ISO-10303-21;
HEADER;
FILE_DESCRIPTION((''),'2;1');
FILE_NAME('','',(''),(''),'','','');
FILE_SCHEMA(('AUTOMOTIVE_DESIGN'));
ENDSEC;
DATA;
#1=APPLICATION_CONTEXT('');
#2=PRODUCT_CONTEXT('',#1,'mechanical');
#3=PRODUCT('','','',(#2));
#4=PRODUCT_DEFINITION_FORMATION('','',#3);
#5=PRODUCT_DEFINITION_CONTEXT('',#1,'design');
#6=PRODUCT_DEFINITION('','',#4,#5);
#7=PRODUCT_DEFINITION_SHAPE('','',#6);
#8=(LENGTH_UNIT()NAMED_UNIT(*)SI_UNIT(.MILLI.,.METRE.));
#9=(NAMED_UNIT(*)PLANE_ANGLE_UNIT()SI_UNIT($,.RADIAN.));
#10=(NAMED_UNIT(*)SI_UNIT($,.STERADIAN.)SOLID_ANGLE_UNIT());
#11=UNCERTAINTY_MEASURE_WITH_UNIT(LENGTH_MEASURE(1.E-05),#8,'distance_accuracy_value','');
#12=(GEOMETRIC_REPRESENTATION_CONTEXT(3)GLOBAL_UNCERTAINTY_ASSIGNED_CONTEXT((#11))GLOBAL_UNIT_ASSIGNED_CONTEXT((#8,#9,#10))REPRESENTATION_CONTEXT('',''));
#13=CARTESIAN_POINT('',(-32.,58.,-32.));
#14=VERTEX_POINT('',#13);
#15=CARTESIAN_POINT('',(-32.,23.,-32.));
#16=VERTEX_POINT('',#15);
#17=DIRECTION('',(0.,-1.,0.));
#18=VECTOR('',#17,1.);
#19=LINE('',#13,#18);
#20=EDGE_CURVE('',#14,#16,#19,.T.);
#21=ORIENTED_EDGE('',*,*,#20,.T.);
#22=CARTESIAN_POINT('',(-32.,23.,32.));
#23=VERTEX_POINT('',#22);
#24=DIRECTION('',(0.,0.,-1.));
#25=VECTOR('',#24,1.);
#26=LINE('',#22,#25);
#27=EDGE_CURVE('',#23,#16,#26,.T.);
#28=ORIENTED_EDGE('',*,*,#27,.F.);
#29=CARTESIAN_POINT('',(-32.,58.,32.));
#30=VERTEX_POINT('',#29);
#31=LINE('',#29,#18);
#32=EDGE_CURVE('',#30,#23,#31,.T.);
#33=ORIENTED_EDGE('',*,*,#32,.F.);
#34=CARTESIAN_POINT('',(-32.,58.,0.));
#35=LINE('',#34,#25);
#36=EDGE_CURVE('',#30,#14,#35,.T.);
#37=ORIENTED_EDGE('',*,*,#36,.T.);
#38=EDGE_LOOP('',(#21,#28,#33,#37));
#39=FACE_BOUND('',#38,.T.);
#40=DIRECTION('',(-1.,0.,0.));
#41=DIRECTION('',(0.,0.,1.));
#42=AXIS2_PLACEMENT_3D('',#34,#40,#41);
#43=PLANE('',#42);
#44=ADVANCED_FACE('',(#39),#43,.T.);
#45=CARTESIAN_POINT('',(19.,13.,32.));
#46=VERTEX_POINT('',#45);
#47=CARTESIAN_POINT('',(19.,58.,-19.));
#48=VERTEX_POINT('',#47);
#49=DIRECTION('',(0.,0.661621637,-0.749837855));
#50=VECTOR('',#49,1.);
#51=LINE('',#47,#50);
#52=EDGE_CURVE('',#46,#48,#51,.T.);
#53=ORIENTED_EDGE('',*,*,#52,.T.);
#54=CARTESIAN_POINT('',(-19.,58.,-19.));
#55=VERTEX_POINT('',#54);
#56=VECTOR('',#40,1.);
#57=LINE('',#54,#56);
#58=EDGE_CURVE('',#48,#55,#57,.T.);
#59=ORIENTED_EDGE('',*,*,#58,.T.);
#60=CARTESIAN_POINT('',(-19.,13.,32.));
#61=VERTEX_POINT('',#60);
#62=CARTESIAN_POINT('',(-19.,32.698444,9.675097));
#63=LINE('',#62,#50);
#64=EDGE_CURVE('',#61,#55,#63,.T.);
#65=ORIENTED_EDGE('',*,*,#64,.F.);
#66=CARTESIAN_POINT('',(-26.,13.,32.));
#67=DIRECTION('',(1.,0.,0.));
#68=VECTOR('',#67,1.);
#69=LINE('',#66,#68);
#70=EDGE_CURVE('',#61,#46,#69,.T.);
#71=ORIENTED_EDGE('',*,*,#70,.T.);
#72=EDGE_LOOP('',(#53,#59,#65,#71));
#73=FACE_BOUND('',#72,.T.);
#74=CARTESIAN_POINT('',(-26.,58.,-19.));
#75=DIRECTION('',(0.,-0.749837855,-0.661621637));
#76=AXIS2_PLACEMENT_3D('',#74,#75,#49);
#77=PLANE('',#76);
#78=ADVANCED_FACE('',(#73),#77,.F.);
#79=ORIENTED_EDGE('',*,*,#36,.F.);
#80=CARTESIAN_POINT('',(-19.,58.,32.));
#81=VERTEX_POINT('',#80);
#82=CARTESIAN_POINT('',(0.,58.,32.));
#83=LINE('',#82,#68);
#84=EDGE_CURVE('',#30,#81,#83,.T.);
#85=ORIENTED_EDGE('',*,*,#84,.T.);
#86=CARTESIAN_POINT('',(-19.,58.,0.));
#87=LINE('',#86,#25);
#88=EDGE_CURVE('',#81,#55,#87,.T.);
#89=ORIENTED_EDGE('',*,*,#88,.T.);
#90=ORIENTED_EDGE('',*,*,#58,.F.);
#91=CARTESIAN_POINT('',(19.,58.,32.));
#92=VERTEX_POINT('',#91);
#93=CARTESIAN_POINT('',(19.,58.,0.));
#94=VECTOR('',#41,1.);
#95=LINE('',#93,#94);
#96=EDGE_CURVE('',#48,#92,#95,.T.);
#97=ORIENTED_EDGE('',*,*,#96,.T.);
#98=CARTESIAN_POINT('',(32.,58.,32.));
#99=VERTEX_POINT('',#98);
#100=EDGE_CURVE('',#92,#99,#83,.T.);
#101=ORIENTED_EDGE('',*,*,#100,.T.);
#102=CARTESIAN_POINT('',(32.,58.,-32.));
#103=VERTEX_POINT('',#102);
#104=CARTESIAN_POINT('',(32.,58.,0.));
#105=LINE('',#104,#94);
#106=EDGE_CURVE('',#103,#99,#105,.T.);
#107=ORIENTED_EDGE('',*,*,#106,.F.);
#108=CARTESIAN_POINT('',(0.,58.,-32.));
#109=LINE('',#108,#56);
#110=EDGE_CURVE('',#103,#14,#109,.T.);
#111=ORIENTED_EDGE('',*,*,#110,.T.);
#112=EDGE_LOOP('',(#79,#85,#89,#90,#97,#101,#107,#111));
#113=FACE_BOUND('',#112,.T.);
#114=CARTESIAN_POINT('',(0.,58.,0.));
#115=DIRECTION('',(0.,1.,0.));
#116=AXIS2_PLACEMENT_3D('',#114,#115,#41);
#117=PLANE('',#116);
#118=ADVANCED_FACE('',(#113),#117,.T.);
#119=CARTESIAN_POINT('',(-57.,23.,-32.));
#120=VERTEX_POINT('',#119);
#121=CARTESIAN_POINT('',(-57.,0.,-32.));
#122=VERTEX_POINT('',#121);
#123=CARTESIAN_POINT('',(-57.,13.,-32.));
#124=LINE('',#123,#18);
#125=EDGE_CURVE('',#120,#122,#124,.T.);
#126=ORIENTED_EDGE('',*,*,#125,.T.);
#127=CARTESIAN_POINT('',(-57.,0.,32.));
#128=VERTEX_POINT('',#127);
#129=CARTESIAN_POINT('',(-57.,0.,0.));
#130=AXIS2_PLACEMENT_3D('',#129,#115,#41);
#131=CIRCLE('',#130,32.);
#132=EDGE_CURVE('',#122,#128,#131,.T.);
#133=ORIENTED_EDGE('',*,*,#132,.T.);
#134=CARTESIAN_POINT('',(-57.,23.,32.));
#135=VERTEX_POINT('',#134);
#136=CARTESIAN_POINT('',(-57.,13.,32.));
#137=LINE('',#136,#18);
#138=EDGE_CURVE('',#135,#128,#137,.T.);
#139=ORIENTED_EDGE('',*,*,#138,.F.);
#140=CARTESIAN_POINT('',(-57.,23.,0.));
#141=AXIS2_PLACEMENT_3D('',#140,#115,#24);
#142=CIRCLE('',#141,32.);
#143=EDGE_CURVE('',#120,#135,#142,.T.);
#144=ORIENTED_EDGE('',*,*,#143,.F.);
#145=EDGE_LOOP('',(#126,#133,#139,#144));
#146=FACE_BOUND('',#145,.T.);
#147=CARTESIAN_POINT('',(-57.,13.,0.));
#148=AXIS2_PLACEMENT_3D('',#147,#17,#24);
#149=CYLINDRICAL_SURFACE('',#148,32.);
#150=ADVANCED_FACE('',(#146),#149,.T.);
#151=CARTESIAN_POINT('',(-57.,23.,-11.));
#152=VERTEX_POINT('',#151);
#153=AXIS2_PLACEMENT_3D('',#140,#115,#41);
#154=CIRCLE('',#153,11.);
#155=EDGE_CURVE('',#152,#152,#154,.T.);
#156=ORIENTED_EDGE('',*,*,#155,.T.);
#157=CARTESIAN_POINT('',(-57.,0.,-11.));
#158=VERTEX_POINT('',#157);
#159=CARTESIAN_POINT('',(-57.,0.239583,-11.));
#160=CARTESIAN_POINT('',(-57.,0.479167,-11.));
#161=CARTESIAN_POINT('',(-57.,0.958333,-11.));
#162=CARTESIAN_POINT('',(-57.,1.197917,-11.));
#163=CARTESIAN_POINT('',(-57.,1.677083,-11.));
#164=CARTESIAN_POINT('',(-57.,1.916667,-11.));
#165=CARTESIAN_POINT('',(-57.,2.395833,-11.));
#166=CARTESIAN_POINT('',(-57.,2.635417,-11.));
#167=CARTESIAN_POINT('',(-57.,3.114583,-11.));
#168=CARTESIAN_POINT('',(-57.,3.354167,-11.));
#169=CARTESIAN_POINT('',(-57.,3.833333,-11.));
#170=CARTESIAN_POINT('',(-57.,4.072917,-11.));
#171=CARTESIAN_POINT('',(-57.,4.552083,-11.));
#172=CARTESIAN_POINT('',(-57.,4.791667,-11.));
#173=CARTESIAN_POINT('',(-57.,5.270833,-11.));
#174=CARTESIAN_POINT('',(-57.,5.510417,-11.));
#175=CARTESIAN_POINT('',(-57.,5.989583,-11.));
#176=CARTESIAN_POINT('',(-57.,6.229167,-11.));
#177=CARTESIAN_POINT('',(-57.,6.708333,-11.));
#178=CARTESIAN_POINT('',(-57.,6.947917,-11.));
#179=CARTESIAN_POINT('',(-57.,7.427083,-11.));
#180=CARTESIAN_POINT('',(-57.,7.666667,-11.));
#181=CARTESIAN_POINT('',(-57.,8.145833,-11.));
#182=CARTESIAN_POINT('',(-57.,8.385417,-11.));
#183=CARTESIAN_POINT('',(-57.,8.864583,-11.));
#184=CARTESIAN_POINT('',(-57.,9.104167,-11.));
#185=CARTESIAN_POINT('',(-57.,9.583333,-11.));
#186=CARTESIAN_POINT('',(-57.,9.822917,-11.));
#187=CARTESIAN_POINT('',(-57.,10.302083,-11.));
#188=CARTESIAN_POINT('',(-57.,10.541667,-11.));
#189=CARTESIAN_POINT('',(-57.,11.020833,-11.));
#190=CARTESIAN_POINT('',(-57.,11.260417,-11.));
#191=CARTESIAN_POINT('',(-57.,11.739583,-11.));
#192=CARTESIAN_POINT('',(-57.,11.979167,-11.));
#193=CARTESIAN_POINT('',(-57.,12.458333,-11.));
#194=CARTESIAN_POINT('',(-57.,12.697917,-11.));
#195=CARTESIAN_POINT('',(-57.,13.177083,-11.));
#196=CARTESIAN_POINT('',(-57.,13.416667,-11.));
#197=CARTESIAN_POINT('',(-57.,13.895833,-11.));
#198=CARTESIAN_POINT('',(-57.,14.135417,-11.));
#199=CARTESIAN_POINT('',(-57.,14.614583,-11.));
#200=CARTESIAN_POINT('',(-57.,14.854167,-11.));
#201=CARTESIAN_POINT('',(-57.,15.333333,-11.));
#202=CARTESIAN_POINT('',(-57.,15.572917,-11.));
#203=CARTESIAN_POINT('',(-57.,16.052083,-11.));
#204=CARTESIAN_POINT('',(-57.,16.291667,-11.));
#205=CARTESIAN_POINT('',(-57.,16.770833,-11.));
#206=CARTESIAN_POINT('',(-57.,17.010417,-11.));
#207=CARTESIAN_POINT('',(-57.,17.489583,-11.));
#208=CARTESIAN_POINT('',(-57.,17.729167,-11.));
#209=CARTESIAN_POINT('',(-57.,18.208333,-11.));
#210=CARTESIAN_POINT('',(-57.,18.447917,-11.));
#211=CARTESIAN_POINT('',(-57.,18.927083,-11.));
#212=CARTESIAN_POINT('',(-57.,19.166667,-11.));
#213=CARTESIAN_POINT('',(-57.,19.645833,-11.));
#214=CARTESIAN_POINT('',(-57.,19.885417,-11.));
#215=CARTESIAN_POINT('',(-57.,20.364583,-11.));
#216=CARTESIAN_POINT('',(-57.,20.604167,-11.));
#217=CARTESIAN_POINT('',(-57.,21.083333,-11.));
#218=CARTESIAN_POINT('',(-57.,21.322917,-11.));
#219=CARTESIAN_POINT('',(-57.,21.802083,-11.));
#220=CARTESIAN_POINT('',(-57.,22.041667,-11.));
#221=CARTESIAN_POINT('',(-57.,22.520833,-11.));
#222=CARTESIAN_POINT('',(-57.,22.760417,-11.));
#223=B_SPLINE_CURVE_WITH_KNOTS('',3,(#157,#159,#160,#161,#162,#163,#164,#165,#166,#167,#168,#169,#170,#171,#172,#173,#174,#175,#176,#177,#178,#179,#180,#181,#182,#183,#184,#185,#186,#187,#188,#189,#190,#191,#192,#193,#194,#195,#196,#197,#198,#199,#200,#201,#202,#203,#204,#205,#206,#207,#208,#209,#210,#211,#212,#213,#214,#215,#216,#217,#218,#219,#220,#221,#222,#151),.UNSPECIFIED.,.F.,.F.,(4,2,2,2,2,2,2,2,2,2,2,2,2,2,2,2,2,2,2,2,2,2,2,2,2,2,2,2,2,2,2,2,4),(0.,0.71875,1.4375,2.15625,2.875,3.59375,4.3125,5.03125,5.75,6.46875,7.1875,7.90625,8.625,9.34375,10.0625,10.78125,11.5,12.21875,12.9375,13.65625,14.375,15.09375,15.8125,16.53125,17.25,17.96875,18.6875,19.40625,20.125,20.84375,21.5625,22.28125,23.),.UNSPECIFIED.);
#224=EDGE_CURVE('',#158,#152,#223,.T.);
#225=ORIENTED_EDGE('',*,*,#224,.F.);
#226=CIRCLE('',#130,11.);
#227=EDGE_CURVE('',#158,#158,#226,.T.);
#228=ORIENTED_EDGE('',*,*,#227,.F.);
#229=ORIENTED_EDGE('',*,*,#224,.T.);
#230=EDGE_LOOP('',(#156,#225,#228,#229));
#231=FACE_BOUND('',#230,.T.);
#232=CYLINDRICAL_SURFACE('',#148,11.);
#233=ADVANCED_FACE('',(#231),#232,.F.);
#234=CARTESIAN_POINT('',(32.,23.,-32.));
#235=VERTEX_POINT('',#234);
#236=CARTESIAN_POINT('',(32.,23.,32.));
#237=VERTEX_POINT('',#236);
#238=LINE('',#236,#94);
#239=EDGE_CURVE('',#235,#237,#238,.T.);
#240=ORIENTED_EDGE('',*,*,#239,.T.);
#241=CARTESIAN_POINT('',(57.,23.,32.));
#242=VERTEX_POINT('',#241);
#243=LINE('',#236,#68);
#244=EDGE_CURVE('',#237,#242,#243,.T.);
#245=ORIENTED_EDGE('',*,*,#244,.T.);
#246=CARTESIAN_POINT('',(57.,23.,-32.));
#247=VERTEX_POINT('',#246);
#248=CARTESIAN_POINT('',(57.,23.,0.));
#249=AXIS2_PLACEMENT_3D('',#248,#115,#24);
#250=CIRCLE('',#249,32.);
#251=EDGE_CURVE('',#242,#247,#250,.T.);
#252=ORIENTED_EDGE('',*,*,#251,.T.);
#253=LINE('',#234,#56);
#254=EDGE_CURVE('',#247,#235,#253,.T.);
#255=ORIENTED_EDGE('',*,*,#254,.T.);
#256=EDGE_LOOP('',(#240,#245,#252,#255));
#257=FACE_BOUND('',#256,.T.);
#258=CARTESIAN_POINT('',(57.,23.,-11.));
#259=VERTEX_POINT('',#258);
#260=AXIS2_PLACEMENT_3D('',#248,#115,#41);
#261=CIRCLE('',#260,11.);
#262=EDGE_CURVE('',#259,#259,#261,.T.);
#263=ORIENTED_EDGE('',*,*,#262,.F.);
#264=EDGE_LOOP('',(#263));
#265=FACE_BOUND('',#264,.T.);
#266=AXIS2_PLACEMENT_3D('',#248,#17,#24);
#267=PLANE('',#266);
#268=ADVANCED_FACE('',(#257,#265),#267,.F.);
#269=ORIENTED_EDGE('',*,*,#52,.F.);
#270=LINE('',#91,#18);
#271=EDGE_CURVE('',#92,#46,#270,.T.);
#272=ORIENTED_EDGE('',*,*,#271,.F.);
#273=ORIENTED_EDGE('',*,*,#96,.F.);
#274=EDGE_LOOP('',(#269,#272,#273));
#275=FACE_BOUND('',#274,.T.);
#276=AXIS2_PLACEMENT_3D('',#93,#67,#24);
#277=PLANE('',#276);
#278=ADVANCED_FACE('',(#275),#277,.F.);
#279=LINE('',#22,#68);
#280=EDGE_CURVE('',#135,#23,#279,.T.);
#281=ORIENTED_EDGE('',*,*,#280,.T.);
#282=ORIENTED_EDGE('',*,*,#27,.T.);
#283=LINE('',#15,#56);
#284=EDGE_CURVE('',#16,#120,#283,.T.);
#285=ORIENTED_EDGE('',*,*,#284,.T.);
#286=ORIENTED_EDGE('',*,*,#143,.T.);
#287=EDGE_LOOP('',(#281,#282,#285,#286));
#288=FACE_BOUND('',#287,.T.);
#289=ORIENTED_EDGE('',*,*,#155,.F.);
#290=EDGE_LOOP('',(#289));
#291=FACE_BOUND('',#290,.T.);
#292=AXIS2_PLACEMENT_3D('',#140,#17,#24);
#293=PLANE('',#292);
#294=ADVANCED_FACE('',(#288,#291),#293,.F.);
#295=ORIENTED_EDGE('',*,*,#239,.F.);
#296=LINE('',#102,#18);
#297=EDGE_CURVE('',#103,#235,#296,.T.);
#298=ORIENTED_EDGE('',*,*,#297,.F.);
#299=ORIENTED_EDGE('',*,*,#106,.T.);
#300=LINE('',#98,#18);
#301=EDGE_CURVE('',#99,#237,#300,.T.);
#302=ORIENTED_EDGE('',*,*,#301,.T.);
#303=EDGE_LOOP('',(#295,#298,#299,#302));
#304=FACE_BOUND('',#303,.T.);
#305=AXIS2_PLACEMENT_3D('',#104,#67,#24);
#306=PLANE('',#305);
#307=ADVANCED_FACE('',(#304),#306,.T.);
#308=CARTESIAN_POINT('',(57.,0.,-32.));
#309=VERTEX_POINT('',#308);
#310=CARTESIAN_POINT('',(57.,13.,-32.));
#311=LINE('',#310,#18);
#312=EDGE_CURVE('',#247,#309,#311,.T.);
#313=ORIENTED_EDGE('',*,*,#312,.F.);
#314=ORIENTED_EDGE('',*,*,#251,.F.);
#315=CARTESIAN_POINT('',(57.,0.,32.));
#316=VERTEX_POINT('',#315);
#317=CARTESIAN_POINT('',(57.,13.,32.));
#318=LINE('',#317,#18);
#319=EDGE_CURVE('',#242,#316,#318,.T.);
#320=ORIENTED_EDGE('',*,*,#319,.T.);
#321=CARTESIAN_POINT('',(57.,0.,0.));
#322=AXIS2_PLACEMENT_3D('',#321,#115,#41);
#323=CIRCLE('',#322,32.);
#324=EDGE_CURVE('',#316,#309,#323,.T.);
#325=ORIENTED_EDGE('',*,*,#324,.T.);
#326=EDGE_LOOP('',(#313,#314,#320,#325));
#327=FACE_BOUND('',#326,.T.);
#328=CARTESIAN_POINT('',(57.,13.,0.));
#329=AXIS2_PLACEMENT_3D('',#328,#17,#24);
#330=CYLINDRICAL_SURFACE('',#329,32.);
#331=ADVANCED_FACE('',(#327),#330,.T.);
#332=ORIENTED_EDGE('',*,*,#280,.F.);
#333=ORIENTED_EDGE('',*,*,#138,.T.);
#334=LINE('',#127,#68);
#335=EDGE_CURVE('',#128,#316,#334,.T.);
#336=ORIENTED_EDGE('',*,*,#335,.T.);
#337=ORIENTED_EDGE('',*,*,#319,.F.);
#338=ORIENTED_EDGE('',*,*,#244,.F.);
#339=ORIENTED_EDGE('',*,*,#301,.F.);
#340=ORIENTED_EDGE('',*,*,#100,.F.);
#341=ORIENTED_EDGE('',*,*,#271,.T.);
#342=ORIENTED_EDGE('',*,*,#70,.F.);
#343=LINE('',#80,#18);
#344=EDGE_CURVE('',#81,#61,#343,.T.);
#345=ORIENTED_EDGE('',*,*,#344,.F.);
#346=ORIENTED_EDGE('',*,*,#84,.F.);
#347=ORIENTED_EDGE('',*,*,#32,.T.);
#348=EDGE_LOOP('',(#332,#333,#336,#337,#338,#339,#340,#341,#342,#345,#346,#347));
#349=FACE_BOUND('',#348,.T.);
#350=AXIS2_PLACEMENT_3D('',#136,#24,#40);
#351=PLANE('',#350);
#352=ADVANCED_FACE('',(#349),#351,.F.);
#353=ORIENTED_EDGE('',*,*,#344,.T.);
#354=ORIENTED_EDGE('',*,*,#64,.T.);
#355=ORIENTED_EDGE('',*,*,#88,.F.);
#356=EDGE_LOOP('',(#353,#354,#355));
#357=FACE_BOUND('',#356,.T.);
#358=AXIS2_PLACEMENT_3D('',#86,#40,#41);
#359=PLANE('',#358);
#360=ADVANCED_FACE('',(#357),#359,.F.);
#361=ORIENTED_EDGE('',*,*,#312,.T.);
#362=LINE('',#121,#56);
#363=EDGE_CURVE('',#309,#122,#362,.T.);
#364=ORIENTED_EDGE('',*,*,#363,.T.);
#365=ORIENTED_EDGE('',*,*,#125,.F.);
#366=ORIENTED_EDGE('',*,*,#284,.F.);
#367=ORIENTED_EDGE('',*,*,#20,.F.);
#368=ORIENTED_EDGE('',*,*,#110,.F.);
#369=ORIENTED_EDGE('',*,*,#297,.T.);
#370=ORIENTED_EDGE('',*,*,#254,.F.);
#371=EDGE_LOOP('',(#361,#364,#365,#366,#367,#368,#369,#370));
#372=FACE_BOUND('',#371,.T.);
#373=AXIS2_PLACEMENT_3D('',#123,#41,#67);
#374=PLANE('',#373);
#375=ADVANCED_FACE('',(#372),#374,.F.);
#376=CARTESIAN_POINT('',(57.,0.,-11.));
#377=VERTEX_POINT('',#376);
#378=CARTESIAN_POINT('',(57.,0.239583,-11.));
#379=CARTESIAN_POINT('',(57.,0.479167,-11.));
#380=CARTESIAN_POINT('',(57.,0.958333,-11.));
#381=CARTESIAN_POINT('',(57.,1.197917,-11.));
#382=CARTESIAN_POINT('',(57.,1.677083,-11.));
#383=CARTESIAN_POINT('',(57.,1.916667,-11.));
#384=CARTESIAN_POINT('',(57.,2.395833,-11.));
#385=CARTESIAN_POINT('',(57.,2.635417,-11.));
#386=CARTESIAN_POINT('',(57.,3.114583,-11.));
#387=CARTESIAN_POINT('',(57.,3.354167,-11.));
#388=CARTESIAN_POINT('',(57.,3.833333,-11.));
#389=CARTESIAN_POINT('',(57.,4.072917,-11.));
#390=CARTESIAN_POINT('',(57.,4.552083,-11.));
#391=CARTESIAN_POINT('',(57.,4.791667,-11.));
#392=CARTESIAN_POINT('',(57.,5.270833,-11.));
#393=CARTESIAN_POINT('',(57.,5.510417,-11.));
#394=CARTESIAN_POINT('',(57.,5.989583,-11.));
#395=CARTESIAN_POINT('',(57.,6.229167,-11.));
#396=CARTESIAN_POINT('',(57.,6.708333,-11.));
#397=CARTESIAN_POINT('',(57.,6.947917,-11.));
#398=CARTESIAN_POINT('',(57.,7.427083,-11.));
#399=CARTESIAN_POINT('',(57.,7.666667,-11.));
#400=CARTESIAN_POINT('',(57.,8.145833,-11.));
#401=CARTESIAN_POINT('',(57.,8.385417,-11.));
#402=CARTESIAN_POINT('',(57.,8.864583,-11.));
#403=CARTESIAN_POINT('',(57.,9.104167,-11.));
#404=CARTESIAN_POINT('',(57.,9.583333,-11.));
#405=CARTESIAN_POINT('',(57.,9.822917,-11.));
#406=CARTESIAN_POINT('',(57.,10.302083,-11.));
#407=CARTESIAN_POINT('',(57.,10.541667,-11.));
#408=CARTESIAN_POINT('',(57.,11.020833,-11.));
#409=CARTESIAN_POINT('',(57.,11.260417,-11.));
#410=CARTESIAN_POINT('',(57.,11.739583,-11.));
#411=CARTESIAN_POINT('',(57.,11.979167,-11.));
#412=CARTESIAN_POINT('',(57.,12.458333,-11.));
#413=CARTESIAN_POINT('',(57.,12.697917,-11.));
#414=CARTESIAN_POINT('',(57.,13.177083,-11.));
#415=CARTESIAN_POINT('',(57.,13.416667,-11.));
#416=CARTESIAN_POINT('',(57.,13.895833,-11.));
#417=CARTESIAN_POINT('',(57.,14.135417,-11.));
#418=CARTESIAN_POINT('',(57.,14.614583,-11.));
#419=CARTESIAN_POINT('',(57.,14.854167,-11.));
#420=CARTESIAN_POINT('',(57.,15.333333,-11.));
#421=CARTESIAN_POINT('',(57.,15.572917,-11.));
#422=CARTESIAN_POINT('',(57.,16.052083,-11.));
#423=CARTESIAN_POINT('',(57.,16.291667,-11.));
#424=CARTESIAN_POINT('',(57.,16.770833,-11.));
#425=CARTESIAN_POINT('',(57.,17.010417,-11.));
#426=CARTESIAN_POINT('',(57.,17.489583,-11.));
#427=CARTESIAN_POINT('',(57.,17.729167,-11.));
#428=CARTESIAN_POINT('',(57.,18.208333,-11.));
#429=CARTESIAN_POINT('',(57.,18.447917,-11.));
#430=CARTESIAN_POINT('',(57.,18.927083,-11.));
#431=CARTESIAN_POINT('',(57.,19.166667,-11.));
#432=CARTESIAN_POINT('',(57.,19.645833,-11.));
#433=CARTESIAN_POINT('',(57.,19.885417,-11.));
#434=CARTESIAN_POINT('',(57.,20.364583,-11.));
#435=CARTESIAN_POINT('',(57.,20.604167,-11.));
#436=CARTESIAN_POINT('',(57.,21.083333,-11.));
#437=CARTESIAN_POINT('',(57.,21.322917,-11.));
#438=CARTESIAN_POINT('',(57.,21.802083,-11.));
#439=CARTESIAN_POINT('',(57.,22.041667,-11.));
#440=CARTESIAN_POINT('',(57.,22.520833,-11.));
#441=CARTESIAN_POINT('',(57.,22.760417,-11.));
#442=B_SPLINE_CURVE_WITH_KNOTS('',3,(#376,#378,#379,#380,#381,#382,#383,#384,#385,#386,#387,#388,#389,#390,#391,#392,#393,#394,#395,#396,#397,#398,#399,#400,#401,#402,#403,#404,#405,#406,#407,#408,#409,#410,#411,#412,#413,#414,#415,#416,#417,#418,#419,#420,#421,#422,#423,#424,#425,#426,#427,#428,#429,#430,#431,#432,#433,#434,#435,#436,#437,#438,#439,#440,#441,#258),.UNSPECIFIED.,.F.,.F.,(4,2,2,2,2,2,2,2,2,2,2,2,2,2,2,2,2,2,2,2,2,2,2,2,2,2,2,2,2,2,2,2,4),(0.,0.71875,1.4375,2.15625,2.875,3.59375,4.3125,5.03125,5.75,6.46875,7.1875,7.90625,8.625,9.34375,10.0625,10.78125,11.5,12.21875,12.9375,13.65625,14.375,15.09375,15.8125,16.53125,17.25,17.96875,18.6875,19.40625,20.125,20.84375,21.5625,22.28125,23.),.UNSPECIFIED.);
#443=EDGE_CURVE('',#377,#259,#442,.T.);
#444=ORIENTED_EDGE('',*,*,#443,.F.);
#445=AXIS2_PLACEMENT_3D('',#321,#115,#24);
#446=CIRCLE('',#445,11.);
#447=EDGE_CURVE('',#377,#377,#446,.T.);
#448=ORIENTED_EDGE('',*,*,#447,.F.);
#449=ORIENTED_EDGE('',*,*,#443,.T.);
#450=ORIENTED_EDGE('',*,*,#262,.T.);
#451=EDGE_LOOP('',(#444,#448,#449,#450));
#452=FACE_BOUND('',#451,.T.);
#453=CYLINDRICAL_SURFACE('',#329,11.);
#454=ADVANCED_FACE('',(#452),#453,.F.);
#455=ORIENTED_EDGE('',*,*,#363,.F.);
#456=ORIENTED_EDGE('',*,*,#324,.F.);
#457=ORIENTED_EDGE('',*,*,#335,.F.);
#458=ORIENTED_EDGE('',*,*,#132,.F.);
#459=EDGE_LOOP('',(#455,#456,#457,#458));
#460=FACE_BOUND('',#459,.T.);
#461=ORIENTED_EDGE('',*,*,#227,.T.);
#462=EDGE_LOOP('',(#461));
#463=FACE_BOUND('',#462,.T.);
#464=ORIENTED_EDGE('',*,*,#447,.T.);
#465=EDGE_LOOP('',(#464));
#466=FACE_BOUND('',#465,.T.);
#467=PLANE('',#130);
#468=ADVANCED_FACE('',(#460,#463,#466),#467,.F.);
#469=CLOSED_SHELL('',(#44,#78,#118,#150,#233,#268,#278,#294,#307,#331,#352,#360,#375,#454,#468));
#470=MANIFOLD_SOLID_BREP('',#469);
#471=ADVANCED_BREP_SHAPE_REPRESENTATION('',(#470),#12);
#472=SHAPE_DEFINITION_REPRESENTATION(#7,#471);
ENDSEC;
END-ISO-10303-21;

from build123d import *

# Parameters (mm, degrees)
SKETCH1_R           = 11
BOSS_EXTRUDE2_DEPTH = 13
SKETCH4_W           = 38
SKETCH4_H           = 51
BOSS_EXTRUDE3_DEPTH = 45
CUT_EXTRUDE1_DEPTH  = 45
BOSS_EXTRUDE4_DEPTH = 45
SKETCH15_R          = 11
BOSS_EXTRUDE6_DEPTH = 10
SKETCH16_R          = 11
BOSS_EXTRUDE7_DEPTH = 10


with BuildPart() as part:
    # Sketch1 → Boss-Extrude2 (new body)
    with BuildSketch(Plane(origin=(0, 0, 0), x_dir=(1, 0, 0), z_dir=(0, 1, 0))):
        with BuildLine():
            Line((-57, 32), (57, 32))
            ThreePointArc((57, 32), (89, 0), (57, -32))
            Line((57, -32), (-57, -32))
            ThreePointArc((-57, -32), (-89, 0), (-57, 32))
        make_face()
        with Locations(Location((-57, 0, 0), (0, 0, 90))):
            Circle(SKETCH1_R, mode=Mode.SUBTRACT)
        with Locations(Location((57, 0, 0), (0, 0, 90))):
            Circle(SKETCH1_R, mode=Mode.SUBTRACT)
    extrude(amount=BOSS_EXTRUDE2_DEPTH)

    # Sketch4 → Boss-Extrude3 (add)
    with BuildSketch(Plane(origin=(0, 13, 0), x_dir=(1, 0, 0), z_dir=(0, 1, 0))):
        with Locations((0, -6.5)):
            Rectangle(SKETCH4_W, SKETCH4_H)
    extrude(amount=BOSS_EXTRUDE3_DEPTH)

    # Sketch5 → Cut-Extrude1 (cut)
    with BuildSketch(Plane(origin=(19, 0, 0), x_dir=(0, 0, -1), z_dir=(1, 0, 0))):
        Polygon((19, 58), (-32, 13), (-32, 58), align=None)
    extrude(amount=-CUT_EXTRUDE1_DEPTH, mode=Mode.SUBTRACT)

    # Sketch6 → Boss-Extrude4 (add)
    with BuildSketch(Plane(origin=(0, 13, 0), x_dir=(1, 0, 0), z_dir=(0, 1, 0))):
        Polygon((-32, 32), (-32, -32), (-19, -32), (-19, 19), (19, 19), (19, -32), (32, -32), (32, 32), align=None)
    extrude(amount=BOSS_EXTRUDE4_DEPTH)

    # Sketch15 → Boss-Extrude6 (add)
    with BuildSketch(Plane(origin=(0, 13, 0), x_dir=(1, 0, 0), z_dir=(0, 1, 0))):
        with BuildLine():
            Line((-32, 32), (-57, 32))
            ThreePointArc((-57, 32), (-89, 0), (-57, -32))
            Line((-57, -32), (-32, -32))
            Line((-32, -32), (-32, 32))
        make_face()
        with Locations(Location((-57, 0, 0), (0, 0, 90))):
            Circle(SKETCH15_R, mode=Mode.SUBTRACT)
    extrude(amount=BOSS_EXTRUDE6_DEPTH)

    # Sketch16 → Boss-Extrude7 (add)
    with BuildSketch(Plane(origin=(0, 13, 0), x_dir=(1, 0, 0), z_dir=(0, 1, 0))):
        with BuildLine():
            Line((32, -32), (57, -32))
            ThreePointArc((57, -32), (89, 0), (57, 32))
            Line((57, 32), (32, 32))
            Line((32, 32), (32, -32))
        make_face()
        with Locations(Location((57, 0, 0), (0, 0, 90))):
            Circle(SKETCH16_R, mode=Mode.SUBTRACT)
    extrude(amount=BOSS_EXTRUDE7_DEPTH)


solid = part.part
